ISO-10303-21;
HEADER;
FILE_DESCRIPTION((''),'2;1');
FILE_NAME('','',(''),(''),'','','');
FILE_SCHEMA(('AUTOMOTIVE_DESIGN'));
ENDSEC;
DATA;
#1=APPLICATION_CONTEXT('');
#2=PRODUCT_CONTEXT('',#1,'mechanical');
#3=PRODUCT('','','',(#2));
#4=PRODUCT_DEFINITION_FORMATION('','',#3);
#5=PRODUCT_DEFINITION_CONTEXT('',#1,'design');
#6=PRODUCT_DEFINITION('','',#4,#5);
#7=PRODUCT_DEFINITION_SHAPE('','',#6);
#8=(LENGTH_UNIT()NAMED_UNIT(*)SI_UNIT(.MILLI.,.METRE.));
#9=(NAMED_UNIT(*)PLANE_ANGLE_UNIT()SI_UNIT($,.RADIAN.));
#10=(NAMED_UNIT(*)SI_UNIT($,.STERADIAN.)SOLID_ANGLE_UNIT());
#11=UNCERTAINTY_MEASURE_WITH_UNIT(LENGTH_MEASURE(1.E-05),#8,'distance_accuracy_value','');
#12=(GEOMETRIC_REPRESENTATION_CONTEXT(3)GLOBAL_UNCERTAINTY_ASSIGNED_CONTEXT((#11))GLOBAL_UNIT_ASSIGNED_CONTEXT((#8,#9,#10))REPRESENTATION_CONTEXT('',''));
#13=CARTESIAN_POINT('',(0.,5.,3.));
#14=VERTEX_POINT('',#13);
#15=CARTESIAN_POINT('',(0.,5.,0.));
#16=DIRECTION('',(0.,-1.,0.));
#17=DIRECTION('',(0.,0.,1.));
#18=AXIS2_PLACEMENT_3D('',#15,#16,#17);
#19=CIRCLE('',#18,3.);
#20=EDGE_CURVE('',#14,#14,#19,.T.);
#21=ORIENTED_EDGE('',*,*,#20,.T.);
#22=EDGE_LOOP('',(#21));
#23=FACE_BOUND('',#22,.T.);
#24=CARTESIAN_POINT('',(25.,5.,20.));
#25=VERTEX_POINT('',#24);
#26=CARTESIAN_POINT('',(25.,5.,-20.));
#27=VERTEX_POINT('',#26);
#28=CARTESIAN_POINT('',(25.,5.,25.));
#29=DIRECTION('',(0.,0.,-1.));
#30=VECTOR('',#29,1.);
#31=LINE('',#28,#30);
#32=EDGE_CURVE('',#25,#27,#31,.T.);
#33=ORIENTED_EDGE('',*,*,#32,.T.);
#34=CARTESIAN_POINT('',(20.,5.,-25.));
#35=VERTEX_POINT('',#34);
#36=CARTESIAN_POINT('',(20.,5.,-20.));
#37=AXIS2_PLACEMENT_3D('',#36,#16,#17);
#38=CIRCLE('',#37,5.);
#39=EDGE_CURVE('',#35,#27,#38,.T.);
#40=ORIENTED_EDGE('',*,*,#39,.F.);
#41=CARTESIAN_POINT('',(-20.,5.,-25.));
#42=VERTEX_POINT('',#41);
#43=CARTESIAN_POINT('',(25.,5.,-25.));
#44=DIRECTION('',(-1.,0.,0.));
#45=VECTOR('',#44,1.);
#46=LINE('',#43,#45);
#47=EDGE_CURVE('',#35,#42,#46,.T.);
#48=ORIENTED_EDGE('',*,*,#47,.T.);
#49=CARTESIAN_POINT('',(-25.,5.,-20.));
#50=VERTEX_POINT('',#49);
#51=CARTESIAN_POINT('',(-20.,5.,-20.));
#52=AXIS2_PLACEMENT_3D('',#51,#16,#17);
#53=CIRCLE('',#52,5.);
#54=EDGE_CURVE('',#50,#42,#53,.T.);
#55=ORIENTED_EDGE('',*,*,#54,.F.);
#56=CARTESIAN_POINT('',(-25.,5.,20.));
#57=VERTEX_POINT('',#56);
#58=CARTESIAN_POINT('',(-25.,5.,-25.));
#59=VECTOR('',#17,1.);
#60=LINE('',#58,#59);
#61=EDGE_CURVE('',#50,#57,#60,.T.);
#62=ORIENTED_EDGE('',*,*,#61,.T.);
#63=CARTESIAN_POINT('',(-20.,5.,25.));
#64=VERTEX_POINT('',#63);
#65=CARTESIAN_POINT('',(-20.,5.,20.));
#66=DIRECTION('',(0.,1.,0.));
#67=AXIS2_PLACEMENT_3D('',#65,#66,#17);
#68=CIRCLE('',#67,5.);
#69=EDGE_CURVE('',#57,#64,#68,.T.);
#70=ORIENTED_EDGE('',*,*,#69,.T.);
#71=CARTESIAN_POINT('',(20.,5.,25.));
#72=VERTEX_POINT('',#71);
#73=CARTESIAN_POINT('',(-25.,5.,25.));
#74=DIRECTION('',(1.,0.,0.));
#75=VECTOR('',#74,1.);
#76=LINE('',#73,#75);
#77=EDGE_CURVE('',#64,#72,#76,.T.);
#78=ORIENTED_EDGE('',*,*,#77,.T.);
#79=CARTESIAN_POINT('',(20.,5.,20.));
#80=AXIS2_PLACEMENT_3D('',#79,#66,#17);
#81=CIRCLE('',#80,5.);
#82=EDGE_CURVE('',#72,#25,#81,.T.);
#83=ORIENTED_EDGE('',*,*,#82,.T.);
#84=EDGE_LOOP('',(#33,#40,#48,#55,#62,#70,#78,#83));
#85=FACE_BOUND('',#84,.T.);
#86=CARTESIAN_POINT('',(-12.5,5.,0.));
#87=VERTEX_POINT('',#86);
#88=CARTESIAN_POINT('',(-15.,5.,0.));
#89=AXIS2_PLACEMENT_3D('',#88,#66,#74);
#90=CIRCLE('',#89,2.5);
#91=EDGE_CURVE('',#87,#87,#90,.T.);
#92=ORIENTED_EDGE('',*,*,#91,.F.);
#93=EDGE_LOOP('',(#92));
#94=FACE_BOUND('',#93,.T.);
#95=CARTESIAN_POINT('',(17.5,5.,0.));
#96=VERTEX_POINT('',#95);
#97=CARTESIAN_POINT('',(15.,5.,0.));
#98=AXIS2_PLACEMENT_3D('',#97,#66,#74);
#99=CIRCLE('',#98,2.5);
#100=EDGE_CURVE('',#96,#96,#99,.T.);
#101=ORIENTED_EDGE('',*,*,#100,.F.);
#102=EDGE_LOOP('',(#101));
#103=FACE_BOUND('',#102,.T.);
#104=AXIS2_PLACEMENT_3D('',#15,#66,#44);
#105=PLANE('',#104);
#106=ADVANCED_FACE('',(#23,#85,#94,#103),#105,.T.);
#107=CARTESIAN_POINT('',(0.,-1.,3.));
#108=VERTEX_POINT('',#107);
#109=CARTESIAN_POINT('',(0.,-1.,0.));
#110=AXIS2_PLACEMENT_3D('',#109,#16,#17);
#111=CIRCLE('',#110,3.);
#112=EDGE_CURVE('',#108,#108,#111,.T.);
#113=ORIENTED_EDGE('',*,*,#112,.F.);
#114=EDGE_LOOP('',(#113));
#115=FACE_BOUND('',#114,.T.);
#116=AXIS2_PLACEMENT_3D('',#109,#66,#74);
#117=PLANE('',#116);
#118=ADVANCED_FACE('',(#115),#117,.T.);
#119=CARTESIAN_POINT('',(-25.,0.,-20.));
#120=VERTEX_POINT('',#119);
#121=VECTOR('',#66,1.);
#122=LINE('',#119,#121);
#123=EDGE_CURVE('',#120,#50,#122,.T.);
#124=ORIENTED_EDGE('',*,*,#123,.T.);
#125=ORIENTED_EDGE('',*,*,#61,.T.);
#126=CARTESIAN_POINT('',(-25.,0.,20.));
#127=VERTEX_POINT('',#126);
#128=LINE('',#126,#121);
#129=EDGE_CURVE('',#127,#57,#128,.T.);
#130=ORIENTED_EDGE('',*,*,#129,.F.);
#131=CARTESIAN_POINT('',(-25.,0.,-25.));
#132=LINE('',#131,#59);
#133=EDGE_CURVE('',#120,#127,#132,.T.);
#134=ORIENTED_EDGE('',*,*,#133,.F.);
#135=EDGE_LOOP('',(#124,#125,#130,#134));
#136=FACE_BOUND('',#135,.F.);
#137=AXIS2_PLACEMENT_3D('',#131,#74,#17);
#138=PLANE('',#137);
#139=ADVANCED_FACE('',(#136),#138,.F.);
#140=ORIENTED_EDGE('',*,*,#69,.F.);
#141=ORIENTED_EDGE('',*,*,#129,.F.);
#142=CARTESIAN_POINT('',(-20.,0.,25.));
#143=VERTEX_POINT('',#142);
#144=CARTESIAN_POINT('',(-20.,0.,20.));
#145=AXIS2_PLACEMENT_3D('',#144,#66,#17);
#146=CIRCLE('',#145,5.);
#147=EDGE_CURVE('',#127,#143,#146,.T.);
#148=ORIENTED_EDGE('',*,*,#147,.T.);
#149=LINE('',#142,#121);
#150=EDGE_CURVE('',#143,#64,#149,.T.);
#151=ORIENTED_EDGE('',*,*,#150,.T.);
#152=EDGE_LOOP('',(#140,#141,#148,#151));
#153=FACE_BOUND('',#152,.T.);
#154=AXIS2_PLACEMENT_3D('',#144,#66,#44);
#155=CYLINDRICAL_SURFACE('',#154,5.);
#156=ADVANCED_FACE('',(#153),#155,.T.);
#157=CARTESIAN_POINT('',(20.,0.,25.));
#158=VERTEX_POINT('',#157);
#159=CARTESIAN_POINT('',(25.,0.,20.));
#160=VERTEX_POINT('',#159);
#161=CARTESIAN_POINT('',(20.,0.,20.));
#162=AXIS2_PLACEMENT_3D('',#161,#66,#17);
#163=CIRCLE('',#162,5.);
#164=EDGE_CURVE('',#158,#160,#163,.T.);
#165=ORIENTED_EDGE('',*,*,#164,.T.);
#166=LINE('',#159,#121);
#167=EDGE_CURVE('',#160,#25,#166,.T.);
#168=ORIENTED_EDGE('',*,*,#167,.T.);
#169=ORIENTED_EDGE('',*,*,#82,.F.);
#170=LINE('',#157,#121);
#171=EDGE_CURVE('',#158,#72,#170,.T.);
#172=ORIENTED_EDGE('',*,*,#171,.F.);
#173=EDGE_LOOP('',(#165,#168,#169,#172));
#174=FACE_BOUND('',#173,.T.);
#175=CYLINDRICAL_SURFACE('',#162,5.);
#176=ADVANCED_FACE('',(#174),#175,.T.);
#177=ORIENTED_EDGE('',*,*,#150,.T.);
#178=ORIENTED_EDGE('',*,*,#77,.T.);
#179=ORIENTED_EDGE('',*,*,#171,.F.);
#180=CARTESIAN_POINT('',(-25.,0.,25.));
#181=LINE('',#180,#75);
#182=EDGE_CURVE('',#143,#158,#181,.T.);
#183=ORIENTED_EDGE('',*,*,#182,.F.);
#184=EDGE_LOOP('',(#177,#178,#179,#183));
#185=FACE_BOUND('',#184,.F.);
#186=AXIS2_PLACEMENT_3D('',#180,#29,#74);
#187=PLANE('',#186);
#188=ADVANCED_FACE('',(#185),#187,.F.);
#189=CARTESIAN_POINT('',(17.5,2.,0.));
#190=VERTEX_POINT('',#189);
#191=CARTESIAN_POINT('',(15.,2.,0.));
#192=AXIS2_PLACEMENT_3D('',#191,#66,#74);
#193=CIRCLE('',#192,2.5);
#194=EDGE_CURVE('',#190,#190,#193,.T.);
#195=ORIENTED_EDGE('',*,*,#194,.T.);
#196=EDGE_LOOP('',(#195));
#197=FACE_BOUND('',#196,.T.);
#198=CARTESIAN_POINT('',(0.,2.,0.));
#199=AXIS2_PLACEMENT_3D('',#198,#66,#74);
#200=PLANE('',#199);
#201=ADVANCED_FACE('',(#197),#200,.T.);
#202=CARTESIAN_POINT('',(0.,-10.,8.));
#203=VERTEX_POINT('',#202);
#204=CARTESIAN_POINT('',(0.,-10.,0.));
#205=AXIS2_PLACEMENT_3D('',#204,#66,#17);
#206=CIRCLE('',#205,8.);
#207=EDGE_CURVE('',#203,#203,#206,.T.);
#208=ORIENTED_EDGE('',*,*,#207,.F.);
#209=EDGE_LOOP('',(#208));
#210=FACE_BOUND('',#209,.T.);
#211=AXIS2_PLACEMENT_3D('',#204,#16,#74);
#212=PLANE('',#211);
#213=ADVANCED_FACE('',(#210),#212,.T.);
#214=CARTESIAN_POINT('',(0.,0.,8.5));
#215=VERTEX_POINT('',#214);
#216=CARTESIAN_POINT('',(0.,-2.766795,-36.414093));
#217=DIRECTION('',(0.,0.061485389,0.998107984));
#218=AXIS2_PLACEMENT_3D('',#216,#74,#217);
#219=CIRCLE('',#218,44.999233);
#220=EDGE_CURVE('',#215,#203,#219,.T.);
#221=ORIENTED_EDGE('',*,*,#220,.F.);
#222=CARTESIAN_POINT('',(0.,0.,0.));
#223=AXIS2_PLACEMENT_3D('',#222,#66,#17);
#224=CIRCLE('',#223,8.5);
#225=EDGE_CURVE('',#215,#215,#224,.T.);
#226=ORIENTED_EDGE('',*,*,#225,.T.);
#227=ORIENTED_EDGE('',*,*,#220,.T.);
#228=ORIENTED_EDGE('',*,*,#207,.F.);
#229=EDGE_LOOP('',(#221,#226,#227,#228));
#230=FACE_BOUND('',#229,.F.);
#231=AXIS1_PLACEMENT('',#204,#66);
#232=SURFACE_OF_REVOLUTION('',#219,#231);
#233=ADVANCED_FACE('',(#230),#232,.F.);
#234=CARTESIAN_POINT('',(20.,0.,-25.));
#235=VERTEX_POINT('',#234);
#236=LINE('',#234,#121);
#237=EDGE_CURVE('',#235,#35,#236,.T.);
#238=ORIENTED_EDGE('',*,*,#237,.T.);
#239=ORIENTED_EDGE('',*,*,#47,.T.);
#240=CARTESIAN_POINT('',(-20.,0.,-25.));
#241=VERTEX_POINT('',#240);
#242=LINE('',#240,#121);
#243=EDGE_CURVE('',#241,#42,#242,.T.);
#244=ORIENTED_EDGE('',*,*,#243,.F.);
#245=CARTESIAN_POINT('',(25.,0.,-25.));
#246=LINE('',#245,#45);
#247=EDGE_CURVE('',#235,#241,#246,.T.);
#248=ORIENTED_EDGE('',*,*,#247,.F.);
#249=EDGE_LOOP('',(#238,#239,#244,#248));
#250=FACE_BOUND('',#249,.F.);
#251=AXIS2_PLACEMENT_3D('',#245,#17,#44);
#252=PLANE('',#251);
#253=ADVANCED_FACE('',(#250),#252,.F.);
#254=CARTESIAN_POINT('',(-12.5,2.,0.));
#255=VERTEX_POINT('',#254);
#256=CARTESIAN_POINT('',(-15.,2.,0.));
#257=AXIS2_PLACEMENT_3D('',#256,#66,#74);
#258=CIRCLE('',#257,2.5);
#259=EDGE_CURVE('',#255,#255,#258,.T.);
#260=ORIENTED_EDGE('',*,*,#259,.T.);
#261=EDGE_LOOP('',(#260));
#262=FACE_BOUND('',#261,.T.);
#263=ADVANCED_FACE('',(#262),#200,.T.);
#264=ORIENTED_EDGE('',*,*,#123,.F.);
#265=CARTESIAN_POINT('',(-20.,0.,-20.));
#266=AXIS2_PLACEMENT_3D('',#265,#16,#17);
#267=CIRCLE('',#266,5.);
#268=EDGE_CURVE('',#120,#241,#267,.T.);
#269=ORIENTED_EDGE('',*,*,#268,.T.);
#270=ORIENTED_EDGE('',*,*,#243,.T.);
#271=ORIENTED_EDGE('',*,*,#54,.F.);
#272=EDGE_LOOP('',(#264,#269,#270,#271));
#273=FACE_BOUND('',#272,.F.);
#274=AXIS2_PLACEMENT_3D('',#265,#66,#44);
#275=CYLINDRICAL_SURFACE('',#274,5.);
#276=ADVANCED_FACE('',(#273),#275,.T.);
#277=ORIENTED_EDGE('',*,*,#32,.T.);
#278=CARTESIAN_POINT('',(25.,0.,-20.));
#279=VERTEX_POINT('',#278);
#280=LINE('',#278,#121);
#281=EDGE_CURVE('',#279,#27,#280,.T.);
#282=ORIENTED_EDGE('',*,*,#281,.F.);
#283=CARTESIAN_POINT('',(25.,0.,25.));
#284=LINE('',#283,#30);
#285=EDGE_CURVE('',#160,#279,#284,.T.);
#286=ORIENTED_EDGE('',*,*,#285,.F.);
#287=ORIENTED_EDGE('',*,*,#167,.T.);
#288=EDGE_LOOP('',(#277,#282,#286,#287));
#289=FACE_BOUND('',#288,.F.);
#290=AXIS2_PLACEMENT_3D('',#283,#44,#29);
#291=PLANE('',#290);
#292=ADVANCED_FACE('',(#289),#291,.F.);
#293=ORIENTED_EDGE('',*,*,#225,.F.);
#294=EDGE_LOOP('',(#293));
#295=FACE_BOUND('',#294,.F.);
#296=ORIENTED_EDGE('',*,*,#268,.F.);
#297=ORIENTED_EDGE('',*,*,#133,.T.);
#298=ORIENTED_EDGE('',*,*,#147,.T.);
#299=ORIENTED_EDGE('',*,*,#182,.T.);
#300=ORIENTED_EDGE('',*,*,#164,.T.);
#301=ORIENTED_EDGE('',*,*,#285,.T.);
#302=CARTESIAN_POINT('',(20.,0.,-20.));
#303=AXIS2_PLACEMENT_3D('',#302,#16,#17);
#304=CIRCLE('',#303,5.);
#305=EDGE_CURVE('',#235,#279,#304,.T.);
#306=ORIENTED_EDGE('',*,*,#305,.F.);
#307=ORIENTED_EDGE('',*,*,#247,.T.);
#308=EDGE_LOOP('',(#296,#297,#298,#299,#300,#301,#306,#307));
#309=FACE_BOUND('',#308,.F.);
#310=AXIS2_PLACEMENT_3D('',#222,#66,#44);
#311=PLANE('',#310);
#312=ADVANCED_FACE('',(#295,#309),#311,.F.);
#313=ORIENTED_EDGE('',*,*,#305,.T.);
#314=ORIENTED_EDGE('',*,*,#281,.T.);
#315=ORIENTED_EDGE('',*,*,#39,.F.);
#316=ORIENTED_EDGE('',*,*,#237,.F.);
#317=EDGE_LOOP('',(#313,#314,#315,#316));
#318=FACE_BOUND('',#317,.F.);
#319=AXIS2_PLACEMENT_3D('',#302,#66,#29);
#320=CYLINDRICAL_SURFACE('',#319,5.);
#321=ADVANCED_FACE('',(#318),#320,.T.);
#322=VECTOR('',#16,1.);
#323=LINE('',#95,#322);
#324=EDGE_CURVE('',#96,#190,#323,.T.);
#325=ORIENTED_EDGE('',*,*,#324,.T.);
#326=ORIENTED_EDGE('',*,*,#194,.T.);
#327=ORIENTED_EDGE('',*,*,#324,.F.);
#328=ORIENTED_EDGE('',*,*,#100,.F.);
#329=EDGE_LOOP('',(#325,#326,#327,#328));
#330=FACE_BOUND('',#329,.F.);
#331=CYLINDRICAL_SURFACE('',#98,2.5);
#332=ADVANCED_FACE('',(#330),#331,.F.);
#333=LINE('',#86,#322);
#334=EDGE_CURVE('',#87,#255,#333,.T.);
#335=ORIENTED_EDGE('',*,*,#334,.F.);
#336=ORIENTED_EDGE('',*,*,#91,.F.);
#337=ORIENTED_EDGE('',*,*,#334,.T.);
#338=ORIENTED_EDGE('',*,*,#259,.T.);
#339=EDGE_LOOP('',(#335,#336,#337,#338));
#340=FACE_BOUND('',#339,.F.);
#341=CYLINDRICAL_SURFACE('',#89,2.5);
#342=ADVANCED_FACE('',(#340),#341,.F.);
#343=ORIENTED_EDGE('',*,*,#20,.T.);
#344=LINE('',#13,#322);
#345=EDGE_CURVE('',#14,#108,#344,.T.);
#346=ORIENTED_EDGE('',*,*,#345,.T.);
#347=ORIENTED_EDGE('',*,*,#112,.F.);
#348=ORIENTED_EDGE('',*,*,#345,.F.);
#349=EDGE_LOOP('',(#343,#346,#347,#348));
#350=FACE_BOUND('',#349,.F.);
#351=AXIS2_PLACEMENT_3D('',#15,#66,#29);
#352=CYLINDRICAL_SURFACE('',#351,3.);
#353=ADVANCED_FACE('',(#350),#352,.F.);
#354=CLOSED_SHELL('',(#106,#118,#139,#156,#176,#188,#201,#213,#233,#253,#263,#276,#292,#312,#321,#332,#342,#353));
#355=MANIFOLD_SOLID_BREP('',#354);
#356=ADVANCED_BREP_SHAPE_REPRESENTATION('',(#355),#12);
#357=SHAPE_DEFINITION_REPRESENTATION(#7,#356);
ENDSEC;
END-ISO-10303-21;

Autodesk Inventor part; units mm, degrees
ref_plane "YZ Plane" through (0, 0, 0) normal (1, 0, 0) x (0, 1, 0)
ref_plane "XZ Plane" through (0, 0, 0) normal (0, 1, 0) x (-1, 0, 0)
ref_plane "XY Plane" through (0, 0, 0) normal (0, 0, 1) x (1, 0, 0)
sketch "Sketch1" plane through (0, 0, 0) normal (0, 1, 0) x (-1, 0, 0)
  line L0 (25, 25) -> (-25, 25)
  line L1 (-25, 25) -> (-25, -25)
  line L2 (-25, -25) -> (25, -25)
  line L3 (25, -25) -> (25, 25)
  point P0 (0, 0)
  dimension "d0" = 50
  dimension "d1" = 50
  dimension "d2" = 25
  dimension "d3" = 25
extrude "Extrusion1" add sketch "Sketch1" along normal blind 5
sketch "Sketch2" plane through (0, 0, 0) normal (0, -1, 0) x (1, 0, 0)
  circle A0 centre (0, 0) radius 8
  dimension "d6" = 16
extrude "Extrusion2" add sketch "Sketch2" along normal blind 10
sketch "Sketch3" plane through (0, 5, 0) normal (0, 1, 0) x (1, 0, 0)
  line L0 (0, -3) -> (0, -3)
  line L1 (3, 0) -> (3, 0)
  line L2 (0, 3) -> (0, 3)
  line L3 (-3, 0) -> (-3, 0)
  arc A0 (-3, 0) -> (0, -3) centre (0, 0) ccw
  arc A1 (0, 3) -> (-3, 0) centre (0, 0) ccw
  arc A2 (3, 0) -> (0, 3) centre (0, 0) ccw
  arc A3 (0, -3) -> (3, 0) centre (0, 0) ccw
  point P0 (0, 0)
  dimension "d9" = 6
  dimension "d10" = 6
  dimension "d11" = 3
  dimension "d12" = 3
  dimension "d19" = 3
extrude "Extrusion3" cut sketch "Sketch3" against normal blind 6
sketch "Sketch4" plane through (0, 5, 0) normal (0, 1, 0) x (1, 0, 0)
  line L0 (-5, -5) -> (-5, 5) projected
  line L1 (-25, 25) -> (-25, -25) projected
  circle A0 centre (-15, 0) radius 2.5
  line L2 (5, -5) -> (-5, -5) projected
  line L3 (-5, 5) -> (5, 5) projected
  circle A1 centre (15, 0) radius 2.5
  line L4 (25, -25) -> (25, 25) projected
  point P0 (0, 0)
  dimension "d15" = 5
  dimension "d20" = 10
  dimension "d21" = 10
extrude "Extrusion4" cut sketch "Sketch4" against normal blind 3
fillet "Fillet1" radius 5 4 edges at (25, 2.5, 25) (25, 2.5, -25) (-25, 2.5, -25) (-25, 2.5, 25)
sketch "Sketch5" plane through (0, 0, 0) normal (1, 0, 0) x (0, 1, 0)
  line L0 (0, 8) -> (-10, 8) projected
  line L1 (0, 8) -> (0, 8.5)
  line L2 (0, 20) -> (0, -20) projected
  line L3 (-10, 8) -> (-10, -8) projected
  line L4 (-10, 8) -> (0, 8)
  line L5 (-10, 0) -> (0, 0)
  arc A0 (0, 8.5) -> (-10, 8) centre (-2.7668, -36.4149) ccw
  dimension "d23" = 0.5
  dimension "d25" = 45
revolve "Revolution1" add sketch "Sketch5" angle 360 about axis through (0, -10, 0) along (0, 1, 0) contours L0 A0 L1
properties part number "Base"
